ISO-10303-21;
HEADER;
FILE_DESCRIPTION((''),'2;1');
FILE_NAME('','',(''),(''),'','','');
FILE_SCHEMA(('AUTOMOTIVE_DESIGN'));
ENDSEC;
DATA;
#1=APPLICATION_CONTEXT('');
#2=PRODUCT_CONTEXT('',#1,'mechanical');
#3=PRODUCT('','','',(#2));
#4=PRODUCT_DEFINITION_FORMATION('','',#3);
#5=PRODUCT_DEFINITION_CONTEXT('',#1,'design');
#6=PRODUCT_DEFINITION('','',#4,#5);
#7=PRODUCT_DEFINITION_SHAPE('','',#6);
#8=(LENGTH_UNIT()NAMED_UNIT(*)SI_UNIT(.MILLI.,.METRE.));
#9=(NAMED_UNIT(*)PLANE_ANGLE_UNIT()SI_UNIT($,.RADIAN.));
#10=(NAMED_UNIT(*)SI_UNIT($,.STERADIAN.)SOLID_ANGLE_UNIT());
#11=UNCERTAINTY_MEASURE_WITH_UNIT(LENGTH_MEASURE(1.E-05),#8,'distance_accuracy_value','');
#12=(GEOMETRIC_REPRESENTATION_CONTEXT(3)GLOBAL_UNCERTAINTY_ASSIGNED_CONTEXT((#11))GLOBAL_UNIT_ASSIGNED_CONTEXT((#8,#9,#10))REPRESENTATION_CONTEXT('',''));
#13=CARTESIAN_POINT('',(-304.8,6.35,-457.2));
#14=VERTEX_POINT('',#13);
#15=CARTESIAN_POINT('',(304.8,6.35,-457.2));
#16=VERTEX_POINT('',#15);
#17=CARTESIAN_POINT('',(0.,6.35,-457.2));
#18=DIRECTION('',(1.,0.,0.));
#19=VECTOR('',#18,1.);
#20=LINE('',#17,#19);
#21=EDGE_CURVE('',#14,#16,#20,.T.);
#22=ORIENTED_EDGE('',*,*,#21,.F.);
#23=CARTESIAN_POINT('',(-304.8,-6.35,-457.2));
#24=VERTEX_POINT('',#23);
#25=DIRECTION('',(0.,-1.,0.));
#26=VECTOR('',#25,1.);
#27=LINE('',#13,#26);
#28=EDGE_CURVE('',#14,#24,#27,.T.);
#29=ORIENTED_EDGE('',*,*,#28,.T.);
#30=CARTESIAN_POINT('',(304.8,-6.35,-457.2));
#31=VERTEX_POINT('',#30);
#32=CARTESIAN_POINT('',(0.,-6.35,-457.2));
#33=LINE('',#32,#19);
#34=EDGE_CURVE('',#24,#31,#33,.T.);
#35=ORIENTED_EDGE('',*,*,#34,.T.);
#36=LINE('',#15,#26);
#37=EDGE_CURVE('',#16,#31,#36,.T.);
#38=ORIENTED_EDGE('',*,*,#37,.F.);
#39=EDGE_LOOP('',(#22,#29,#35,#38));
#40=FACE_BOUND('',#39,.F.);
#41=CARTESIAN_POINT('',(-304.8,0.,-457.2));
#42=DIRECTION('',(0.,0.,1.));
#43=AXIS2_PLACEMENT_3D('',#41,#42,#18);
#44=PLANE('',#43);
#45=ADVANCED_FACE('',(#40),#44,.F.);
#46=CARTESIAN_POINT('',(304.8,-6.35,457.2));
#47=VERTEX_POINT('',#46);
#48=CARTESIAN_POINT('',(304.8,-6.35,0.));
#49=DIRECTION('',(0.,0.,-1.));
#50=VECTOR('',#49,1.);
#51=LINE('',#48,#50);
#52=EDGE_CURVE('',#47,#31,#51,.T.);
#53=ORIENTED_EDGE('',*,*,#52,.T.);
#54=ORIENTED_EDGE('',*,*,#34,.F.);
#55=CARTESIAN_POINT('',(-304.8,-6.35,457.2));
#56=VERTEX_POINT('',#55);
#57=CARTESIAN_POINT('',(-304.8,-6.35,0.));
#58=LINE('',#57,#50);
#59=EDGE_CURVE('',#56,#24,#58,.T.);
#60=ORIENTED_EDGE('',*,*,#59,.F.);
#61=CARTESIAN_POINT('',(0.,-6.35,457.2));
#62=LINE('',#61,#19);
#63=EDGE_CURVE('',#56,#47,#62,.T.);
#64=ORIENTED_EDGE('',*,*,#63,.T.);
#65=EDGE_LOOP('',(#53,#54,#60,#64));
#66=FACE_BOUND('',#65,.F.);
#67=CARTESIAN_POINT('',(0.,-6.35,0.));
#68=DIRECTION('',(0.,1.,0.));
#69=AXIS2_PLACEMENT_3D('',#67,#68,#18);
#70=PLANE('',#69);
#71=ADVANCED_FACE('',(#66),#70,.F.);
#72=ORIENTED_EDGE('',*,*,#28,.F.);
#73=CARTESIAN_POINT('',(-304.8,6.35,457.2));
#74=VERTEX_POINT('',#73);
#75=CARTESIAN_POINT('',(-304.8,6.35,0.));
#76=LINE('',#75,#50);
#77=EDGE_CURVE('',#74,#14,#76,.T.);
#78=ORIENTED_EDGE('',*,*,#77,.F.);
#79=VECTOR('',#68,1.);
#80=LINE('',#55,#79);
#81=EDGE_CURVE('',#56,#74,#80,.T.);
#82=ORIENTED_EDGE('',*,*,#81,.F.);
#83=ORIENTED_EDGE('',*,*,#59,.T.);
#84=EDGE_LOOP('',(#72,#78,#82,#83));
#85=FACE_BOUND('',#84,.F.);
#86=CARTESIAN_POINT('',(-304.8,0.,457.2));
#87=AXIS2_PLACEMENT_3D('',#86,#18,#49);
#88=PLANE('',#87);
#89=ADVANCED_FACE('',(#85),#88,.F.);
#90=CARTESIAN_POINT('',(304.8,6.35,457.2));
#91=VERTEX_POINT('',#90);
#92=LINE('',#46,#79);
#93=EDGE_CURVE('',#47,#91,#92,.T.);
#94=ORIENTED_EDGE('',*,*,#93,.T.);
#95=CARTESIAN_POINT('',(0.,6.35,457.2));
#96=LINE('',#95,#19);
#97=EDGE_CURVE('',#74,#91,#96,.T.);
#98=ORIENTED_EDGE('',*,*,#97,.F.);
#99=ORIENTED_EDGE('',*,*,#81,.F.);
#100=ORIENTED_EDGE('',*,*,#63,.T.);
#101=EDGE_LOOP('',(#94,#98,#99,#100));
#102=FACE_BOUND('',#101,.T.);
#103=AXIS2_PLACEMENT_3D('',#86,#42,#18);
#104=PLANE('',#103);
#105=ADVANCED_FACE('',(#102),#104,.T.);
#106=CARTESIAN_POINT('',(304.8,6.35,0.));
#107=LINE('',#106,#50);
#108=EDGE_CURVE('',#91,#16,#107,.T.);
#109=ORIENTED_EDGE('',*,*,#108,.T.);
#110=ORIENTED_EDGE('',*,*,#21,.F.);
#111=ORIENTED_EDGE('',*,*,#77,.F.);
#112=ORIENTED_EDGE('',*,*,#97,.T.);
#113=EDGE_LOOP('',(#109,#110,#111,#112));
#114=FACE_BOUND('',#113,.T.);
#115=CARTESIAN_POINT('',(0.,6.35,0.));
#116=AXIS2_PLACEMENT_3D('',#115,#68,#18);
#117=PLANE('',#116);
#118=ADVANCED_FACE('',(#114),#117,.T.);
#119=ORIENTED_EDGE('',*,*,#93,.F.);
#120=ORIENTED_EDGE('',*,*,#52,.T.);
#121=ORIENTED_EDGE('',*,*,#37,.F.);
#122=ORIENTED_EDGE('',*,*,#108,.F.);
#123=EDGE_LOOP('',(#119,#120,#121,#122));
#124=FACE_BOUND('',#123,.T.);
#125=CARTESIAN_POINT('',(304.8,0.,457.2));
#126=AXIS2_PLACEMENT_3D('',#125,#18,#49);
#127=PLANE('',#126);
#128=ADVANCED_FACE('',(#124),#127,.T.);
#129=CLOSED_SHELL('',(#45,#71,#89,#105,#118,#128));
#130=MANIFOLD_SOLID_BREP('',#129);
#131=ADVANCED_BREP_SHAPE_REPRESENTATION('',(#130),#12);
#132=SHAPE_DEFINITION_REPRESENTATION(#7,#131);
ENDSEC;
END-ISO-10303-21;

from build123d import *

# Parameters (mm, degrees)
SKETCH1_W           = 609.6
SKETCH1_H           = 914.4
BOSS_EXTRUDE1_DEPTH = 6.35


with BuildPart() as part:
    # Sketch1 → Boss-Extrude1 (new body, symmetric)
    with BuildSketch(Plane(origin=(0, 0, 0), x_dir=(1, 0, 0), z_dir=(0, 1, 0))):
        Rectangle(SKETCH1_W, SKETCH1_H)
    extrude(amount=BOSS_EXTRUDE1_DEPTH, both=True)


solid = part.part
